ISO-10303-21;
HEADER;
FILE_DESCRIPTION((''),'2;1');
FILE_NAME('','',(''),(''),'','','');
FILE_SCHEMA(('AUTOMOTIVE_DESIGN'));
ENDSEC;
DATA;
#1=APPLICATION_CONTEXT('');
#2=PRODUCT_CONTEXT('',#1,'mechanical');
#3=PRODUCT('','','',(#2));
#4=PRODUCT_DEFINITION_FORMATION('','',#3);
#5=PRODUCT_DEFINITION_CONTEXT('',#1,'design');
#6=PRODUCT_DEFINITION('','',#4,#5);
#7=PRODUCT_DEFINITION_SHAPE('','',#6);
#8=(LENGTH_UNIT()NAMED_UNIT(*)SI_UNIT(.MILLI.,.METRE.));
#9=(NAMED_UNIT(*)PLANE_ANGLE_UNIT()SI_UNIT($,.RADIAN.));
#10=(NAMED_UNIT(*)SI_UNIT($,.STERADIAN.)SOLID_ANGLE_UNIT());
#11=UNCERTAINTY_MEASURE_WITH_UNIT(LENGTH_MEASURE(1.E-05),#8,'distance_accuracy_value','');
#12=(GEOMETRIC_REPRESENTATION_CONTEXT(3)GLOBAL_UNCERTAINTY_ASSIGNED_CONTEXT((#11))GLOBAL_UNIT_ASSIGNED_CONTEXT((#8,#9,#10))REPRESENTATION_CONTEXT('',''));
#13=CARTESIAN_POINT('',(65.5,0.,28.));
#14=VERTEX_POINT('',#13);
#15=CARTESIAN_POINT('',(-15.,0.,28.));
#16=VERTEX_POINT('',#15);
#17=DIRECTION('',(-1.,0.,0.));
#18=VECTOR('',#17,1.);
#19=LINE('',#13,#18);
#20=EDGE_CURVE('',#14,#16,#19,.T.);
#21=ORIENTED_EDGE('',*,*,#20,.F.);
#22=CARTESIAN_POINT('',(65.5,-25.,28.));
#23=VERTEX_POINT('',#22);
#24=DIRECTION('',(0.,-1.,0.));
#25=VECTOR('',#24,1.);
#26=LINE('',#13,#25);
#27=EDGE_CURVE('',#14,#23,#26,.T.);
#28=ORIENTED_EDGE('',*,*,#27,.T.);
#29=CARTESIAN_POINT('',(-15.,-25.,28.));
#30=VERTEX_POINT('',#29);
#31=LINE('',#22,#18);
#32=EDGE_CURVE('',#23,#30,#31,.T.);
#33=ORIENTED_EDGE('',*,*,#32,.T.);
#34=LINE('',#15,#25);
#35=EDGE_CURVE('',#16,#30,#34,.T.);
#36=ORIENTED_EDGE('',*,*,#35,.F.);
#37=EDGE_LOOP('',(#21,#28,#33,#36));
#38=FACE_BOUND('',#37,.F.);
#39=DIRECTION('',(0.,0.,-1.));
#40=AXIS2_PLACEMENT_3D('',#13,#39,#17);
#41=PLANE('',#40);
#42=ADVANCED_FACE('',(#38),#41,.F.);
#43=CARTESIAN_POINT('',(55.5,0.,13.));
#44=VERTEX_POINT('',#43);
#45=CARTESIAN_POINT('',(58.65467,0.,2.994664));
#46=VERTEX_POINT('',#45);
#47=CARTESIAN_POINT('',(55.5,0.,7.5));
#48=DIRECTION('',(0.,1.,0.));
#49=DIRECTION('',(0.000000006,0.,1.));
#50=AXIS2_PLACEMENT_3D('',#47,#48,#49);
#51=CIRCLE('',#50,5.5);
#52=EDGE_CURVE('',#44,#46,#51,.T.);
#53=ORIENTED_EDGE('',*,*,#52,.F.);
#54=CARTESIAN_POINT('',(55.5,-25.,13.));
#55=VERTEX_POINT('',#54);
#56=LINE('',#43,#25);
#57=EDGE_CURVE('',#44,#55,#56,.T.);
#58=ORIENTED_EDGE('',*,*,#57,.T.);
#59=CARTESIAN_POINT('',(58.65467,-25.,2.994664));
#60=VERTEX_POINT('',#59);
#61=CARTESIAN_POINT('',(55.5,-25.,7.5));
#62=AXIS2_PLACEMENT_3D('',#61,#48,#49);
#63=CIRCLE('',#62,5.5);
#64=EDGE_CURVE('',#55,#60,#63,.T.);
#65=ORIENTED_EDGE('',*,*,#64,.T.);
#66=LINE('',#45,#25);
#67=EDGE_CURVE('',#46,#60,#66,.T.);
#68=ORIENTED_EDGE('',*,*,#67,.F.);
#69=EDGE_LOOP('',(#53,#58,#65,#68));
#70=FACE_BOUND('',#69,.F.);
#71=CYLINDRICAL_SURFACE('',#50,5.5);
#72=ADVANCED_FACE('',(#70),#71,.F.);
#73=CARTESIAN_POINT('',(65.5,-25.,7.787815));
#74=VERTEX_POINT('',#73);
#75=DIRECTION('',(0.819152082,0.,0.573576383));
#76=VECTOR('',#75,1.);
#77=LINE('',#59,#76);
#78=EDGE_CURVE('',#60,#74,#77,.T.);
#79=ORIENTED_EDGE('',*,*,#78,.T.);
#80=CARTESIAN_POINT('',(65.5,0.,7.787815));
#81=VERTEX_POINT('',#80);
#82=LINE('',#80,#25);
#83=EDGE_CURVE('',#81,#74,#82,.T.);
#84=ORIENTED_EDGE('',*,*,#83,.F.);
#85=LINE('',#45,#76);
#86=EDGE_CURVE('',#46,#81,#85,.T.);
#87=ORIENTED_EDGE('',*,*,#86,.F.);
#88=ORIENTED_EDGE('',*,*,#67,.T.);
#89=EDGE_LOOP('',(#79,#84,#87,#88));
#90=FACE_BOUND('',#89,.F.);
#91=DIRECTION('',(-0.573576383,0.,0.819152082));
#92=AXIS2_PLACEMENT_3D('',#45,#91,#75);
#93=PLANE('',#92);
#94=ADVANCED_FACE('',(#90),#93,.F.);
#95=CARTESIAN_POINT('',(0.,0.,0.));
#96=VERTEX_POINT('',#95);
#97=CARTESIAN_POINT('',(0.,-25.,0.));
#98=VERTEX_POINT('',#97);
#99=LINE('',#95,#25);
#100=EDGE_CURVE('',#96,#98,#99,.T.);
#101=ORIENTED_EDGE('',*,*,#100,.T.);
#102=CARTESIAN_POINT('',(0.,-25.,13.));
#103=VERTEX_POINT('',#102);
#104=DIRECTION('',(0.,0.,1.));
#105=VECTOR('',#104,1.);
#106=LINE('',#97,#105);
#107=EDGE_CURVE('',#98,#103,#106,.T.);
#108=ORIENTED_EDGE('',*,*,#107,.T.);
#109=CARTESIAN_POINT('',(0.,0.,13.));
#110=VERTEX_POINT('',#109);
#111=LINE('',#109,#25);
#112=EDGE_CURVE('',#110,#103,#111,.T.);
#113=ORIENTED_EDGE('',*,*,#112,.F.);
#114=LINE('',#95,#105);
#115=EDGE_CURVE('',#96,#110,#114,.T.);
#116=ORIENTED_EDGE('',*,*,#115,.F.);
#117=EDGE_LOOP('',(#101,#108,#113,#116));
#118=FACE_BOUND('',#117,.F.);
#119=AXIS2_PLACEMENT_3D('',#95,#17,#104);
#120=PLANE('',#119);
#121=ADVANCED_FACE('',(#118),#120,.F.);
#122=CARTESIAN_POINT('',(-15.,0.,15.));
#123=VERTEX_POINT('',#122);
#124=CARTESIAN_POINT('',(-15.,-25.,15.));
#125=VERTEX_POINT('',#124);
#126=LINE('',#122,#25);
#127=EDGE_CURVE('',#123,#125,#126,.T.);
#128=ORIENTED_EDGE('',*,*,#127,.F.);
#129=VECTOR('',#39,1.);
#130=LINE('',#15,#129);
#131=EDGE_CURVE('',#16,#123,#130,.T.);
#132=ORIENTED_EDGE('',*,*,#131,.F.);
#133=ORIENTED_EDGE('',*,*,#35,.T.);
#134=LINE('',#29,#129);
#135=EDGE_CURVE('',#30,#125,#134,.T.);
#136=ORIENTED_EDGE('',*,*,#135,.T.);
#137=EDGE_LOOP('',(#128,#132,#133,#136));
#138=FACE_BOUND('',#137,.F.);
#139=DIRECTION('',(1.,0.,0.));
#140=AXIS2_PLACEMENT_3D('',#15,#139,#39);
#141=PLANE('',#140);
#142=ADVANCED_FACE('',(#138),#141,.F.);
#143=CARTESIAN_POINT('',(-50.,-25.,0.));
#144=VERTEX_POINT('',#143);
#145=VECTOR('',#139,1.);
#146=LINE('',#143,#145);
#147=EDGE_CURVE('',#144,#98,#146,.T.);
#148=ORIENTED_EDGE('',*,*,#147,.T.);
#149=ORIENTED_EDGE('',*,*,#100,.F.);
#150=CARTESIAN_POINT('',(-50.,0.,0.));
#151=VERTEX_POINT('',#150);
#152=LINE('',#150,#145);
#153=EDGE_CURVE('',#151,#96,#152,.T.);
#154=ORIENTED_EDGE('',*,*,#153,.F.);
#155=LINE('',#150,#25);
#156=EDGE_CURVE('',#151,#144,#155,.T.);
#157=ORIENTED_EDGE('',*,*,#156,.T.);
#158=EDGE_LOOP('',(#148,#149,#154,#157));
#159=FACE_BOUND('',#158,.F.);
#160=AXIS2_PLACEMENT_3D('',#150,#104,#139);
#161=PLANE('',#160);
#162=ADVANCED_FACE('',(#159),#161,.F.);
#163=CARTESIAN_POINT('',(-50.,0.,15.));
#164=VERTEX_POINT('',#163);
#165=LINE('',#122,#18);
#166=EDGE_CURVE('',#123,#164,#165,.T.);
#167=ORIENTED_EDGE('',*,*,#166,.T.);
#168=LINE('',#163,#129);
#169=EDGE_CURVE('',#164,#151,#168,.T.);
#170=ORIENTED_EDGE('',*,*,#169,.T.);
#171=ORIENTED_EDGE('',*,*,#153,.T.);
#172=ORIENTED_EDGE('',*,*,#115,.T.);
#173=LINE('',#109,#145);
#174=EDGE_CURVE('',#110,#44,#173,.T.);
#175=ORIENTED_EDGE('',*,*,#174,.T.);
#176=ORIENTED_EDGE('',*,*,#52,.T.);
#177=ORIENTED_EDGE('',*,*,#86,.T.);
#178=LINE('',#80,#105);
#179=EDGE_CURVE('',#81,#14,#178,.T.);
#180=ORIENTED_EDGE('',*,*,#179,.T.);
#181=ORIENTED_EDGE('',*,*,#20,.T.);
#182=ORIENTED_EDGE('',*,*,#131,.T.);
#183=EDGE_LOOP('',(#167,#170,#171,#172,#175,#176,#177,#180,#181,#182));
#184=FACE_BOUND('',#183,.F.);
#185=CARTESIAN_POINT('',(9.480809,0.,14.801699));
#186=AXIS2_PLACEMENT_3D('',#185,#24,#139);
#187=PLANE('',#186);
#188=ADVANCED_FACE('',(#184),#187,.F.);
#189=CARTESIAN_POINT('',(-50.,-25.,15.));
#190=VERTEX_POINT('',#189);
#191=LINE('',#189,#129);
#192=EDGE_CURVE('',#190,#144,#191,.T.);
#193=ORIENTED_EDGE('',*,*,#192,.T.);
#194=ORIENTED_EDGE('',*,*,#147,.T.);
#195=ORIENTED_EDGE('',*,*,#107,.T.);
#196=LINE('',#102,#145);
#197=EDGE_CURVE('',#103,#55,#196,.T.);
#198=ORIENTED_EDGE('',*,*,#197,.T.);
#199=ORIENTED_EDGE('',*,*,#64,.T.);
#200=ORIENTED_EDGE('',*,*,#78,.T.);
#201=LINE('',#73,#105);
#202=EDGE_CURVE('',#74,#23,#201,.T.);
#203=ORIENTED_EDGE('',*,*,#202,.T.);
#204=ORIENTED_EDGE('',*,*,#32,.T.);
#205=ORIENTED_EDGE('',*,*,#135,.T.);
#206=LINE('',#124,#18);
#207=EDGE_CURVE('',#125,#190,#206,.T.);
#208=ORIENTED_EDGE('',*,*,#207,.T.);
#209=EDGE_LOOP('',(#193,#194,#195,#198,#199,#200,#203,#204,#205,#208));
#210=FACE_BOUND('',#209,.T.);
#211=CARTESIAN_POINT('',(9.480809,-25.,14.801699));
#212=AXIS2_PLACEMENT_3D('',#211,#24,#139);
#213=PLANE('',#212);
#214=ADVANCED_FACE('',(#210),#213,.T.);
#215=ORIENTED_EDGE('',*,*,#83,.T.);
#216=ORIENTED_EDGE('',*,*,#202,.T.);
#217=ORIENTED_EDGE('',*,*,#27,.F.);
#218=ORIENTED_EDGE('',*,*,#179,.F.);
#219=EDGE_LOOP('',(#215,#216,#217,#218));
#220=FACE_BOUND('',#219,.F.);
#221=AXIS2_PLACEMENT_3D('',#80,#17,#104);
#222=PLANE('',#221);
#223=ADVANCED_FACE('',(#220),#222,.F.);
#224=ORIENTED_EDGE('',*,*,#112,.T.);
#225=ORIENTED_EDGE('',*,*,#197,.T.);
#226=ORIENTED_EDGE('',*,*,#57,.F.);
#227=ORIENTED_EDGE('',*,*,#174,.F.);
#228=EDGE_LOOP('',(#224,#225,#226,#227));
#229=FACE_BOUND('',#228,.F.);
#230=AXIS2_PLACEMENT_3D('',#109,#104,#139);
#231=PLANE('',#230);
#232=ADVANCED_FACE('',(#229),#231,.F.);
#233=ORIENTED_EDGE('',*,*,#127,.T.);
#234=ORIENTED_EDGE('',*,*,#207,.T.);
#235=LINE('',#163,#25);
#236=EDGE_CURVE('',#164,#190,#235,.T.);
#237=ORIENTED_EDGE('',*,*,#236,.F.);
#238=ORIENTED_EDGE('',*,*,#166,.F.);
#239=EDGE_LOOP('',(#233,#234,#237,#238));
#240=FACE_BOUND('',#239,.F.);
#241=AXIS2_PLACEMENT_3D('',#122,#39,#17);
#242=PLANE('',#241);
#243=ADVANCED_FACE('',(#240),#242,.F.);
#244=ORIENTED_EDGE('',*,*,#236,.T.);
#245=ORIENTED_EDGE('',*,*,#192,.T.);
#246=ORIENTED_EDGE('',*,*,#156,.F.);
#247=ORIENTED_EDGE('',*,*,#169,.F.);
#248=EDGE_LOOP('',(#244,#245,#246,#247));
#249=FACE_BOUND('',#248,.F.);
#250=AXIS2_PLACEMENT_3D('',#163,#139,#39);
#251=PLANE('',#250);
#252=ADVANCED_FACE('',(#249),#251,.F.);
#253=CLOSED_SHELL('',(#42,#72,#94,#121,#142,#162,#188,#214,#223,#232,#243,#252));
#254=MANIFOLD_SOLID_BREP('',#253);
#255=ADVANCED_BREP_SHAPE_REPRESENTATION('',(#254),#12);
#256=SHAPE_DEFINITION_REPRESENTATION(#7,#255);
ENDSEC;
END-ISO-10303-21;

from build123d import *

# Parameters (mm, degrees)
F1_DEPTH = 25


with BuildPart() as f1:
    # F0 (on Front) → F1 (new body)
    with BuildSketch(Plane.XZ):
        with BuildLine():
            Line((-50, 15), (-50, 0))
            Line((-50, 0), (0, 0))
            Line((0, 0), (0, 13))
            Line((0, 13), (55.5, 13))
            ThreePointArc((55.5, 13), (60.745443, 9.153882), (58.65467, 2.994664))
            Line((58.65467, 2.994664), (65.5, 7.787815))
            Line((65.5, 7.787815), (65.5, 28))
            Line((65.5, 28), (-15, 28))
            Line((-15, 28), (-15, 15))
            Line((-15, 15), (-50, 15))
        make_face()
    extrude(amount=F1_DEPTH)


solid = f1.part
